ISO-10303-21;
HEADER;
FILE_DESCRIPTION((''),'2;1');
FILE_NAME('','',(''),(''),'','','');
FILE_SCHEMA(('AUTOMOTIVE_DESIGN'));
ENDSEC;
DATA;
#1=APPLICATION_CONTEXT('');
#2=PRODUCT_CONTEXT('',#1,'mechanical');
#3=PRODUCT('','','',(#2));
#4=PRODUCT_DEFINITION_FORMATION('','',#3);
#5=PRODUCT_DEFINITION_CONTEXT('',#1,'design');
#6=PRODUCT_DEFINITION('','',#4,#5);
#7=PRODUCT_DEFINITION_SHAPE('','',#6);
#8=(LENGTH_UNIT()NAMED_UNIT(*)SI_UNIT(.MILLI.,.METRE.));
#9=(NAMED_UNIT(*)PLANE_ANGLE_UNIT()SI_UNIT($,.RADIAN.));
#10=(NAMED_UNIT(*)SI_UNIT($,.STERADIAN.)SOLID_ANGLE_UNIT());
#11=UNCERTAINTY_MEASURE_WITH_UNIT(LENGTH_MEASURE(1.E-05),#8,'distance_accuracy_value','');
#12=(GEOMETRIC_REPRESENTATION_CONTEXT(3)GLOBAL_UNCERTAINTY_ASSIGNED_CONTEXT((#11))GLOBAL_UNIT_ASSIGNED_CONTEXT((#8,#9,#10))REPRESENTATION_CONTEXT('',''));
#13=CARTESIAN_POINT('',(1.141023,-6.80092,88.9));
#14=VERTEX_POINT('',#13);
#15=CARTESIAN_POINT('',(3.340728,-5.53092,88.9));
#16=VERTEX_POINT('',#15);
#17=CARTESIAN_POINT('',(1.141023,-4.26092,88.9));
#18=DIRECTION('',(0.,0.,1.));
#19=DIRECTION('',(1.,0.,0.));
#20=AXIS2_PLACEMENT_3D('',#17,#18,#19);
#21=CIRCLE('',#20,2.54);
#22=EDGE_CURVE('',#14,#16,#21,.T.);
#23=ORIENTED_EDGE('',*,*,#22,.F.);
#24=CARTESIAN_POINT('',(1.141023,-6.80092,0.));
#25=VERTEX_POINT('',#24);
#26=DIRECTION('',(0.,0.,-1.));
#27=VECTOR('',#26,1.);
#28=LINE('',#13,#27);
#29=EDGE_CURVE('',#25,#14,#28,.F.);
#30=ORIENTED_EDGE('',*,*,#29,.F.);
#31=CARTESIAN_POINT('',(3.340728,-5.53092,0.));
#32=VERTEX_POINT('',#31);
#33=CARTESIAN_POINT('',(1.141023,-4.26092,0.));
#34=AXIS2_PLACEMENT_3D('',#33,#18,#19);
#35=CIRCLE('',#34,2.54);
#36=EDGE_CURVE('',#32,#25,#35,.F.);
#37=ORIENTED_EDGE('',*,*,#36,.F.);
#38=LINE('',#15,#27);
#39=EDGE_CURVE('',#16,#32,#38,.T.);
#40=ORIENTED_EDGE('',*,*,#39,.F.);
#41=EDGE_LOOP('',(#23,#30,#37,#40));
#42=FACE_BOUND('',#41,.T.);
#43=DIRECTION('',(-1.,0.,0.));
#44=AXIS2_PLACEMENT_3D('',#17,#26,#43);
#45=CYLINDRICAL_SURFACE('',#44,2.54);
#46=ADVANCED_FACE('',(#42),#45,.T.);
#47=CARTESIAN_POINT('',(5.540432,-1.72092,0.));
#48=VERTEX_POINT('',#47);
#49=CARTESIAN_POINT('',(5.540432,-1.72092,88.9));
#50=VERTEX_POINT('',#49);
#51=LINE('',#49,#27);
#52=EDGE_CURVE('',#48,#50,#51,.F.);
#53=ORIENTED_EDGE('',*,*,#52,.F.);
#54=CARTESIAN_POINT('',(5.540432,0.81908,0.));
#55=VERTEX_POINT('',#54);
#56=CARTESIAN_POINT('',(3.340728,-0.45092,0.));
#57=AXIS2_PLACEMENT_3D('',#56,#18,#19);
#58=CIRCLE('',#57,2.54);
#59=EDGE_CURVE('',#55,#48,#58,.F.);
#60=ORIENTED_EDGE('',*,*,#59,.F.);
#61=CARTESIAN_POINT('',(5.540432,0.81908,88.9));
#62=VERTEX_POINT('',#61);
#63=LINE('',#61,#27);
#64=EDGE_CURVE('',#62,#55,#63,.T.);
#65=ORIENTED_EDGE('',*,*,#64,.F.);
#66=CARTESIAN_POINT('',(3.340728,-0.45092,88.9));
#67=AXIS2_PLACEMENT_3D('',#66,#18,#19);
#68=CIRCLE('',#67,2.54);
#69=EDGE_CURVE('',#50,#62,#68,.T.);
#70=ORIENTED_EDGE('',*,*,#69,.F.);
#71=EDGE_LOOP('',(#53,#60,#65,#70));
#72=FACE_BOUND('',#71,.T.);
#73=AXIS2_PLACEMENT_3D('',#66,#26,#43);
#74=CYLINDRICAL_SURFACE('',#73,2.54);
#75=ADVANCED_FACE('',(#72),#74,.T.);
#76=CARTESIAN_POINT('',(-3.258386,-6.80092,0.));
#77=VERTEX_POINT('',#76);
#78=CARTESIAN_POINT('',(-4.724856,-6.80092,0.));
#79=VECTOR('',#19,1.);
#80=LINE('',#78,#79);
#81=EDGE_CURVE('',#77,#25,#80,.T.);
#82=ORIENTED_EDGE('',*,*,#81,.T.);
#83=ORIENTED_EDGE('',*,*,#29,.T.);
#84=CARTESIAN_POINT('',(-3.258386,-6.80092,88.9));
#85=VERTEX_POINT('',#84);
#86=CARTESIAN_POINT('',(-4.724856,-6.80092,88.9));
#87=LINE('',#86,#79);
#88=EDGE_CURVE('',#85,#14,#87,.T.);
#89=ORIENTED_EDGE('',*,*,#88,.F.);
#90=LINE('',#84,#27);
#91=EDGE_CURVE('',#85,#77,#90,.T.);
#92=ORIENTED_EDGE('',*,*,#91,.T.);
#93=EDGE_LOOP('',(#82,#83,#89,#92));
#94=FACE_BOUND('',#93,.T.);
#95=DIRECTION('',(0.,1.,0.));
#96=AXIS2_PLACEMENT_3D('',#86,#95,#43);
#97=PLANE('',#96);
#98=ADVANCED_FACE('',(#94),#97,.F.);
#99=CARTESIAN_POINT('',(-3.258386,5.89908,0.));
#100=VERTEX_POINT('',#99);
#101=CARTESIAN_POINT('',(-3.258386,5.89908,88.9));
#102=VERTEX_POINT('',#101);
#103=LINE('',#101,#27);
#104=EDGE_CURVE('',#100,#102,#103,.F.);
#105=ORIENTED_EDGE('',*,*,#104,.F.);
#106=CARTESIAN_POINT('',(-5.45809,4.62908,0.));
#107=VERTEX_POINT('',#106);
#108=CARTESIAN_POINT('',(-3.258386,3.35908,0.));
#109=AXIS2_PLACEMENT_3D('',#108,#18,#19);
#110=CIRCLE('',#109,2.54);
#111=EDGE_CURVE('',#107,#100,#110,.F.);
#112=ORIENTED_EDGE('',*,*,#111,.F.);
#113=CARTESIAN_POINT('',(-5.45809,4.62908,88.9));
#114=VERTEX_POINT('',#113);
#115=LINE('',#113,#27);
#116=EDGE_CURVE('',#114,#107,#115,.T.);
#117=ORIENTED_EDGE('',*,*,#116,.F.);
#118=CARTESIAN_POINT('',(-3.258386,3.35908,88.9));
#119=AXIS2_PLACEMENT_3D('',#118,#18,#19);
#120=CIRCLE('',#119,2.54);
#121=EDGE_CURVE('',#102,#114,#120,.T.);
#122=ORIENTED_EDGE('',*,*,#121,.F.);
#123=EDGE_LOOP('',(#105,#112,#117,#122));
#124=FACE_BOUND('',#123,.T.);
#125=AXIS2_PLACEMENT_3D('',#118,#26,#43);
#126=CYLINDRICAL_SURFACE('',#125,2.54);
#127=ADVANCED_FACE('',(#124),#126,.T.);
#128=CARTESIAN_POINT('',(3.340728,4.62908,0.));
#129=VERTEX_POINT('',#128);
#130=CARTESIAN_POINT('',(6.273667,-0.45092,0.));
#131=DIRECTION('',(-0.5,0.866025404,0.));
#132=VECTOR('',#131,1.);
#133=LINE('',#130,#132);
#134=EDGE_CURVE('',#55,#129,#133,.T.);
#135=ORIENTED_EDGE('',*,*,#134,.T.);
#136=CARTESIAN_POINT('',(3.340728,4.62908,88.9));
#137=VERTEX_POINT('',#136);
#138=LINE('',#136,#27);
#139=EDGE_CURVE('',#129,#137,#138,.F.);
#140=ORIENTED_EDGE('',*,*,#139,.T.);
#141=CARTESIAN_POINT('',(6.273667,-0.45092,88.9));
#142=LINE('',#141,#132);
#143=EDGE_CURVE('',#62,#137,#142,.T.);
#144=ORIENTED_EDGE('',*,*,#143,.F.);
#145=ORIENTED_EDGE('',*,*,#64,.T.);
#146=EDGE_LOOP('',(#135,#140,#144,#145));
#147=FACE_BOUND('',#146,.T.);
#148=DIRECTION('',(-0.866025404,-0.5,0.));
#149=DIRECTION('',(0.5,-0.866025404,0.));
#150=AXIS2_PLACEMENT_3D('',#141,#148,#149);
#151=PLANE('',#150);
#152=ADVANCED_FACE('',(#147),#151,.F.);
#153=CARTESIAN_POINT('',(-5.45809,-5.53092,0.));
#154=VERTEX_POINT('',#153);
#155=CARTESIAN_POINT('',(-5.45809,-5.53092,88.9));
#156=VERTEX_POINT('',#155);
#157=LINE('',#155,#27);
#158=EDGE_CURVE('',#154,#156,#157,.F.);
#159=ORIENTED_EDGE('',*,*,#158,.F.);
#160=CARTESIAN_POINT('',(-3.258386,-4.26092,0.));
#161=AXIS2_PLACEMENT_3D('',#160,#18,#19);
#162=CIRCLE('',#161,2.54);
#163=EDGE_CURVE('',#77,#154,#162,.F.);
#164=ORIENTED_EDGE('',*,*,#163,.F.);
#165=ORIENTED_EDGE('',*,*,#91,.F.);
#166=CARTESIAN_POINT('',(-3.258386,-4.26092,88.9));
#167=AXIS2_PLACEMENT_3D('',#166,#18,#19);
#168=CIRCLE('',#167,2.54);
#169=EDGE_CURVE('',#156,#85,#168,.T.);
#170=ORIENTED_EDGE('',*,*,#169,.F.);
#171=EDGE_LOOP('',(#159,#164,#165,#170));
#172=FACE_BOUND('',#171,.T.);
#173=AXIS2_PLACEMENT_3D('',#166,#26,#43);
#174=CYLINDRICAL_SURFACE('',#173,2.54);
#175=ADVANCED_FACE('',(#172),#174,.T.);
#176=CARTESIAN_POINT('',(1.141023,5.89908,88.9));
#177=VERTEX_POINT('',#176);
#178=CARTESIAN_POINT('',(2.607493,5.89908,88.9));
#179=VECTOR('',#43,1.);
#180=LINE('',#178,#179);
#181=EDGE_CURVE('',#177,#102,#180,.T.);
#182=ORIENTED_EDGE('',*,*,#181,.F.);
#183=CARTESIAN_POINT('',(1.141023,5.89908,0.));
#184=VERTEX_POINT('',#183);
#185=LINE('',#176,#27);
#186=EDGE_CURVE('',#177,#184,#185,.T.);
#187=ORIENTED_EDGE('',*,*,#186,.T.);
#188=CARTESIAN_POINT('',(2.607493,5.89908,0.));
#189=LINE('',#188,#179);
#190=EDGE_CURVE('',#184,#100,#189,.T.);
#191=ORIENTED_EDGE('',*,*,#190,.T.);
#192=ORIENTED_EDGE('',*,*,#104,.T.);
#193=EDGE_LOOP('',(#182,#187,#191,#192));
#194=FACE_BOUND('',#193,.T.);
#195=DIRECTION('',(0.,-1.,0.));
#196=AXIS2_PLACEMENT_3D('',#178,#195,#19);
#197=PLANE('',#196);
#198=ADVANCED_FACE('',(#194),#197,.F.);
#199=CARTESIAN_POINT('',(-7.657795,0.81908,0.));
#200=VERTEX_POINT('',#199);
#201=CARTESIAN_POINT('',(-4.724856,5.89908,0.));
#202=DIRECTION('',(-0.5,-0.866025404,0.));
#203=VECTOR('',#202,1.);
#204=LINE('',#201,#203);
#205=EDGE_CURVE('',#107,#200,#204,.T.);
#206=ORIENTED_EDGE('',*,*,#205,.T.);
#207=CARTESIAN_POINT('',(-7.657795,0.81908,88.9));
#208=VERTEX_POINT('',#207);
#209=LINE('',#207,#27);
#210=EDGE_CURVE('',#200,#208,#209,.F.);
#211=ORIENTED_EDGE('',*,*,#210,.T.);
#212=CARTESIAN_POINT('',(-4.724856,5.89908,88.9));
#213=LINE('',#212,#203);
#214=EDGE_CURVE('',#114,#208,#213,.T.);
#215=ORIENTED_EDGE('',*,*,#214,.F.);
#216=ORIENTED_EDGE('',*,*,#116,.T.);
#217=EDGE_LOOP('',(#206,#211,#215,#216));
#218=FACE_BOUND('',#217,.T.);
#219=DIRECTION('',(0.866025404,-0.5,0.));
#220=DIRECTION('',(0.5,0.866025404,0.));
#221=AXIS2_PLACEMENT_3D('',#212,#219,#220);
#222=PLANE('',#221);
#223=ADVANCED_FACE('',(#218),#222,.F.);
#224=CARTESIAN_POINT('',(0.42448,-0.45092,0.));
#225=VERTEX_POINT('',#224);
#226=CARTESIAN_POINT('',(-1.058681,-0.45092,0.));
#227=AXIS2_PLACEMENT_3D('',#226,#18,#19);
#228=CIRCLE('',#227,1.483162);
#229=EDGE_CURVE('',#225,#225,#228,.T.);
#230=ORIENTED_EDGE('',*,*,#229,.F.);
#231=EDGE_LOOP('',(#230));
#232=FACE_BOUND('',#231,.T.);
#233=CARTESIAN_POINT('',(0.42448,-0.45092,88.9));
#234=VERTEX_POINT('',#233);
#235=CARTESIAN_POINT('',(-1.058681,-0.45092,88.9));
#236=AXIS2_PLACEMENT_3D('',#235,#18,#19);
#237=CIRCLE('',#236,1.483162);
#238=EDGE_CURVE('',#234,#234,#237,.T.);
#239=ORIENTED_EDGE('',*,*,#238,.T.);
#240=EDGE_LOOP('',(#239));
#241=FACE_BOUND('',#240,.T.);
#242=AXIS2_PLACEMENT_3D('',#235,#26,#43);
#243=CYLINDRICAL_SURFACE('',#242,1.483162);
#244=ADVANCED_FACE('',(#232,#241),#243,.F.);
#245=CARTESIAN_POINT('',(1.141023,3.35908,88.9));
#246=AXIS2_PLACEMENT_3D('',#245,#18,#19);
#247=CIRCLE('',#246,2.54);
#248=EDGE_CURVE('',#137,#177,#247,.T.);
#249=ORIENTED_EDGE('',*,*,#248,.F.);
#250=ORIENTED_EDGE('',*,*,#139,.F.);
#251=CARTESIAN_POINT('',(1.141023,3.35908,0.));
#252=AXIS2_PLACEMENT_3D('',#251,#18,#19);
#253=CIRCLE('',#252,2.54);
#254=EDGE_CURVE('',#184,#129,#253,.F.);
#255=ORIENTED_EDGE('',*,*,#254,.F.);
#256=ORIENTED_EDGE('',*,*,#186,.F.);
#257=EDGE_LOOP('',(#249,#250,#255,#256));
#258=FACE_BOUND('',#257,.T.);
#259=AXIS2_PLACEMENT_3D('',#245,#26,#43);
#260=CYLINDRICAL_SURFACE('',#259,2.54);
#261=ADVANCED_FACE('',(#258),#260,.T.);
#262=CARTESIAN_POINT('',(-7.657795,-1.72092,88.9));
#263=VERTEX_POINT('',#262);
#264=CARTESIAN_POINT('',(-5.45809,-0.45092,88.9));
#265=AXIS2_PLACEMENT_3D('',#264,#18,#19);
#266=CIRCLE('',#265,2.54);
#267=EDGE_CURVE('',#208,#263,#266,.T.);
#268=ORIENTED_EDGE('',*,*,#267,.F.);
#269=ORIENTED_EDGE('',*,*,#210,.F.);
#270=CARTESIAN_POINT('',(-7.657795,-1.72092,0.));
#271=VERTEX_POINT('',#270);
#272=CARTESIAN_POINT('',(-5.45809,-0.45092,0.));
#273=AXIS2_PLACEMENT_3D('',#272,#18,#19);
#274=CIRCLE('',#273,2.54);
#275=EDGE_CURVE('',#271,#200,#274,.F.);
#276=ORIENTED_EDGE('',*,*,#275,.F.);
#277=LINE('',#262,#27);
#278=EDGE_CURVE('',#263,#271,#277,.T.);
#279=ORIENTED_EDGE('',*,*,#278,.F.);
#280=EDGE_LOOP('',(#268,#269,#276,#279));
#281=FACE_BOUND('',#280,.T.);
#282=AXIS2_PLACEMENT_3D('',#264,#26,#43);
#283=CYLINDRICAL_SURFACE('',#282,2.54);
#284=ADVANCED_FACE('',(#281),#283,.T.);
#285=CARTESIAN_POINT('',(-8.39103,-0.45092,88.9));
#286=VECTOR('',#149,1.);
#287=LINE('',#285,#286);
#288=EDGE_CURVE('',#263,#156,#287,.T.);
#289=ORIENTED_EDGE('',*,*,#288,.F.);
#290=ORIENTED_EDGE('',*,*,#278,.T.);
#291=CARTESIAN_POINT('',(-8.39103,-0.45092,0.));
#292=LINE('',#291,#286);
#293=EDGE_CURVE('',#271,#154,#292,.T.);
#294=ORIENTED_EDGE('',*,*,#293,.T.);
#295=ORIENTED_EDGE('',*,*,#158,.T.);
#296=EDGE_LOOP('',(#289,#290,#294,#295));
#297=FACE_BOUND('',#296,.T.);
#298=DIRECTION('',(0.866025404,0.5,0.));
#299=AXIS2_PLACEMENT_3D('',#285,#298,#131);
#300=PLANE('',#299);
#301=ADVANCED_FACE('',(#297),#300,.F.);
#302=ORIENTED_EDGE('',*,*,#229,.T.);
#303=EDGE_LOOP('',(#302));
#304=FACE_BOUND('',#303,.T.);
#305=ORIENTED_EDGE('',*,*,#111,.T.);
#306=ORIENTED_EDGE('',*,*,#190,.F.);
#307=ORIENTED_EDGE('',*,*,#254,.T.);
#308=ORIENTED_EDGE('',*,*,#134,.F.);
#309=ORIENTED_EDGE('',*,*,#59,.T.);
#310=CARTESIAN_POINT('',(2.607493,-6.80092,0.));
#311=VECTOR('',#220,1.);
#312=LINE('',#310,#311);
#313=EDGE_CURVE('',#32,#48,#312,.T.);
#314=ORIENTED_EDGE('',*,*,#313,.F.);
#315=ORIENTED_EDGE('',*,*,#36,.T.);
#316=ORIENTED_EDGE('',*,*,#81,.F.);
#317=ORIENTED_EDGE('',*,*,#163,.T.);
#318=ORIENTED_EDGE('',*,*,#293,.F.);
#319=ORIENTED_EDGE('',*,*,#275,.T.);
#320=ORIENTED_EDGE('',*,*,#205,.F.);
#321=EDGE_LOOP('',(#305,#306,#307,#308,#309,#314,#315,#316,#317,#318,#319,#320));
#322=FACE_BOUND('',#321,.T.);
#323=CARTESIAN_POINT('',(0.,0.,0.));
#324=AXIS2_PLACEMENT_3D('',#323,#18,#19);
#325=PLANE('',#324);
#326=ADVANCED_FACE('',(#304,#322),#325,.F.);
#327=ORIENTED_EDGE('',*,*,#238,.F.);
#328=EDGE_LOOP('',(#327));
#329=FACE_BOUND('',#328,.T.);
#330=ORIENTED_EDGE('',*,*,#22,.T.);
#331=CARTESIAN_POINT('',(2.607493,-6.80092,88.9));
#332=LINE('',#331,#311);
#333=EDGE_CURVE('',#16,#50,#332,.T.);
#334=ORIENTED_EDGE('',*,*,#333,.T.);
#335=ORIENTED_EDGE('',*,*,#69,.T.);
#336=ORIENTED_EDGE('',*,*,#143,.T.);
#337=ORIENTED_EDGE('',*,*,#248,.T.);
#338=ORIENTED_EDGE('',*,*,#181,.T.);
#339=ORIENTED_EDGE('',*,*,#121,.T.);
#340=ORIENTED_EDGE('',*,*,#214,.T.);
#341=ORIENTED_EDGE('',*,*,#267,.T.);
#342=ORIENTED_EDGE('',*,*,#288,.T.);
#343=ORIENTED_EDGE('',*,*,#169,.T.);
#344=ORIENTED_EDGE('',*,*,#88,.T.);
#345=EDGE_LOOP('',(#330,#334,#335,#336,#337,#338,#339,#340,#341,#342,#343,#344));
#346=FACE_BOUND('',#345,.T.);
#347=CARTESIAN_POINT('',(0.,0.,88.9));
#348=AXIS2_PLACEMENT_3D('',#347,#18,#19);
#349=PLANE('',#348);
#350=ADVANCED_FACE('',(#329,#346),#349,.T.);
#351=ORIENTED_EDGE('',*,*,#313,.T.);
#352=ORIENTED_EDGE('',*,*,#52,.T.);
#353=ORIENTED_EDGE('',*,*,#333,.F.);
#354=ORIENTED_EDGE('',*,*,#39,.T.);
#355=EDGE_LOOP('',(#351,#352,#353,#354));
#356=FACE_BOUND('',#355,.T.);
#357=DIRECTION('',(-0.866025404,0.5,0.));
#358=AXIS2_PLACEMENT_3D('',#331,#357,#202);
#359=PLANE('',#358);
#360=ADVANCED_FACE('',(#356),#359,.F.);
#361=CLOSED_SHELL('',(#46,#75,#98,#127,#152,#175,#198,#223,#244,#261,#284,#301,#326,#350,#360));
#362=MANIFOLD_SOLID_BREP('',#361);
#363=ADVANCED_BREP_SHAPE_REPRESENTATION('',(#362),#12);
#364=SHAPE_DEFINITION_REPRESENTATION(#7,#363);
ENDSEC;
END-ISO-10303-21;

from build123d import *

# Parameters (mm, degrees)
SKETCH1_R           = 1.483161667
BOSS_EXTRUDE1_DEPTH = 88.9
FILLET1_R           = 2.54


with BuildPart() as part:
    # Sketch1 → Boss-Extrude1 (new body)
    with BuildSketch(Plane.XY):
        Polygon((6.273667096, -0.450919823), (2.607492887, 5.899080177), (-4.724855532, 5.899080177), (-8.391029741, -0.450919823), (-4.724855532, -6.800919823), (2.607492887, -6.800919823), align=None)
        with Locations((-1.058681322, -0.450919823)):
            Circle(SKETCH1_R, mode=Mode.SUBTRACT)
    extrude(amount=BOSS_EXTRUDE1_DEPTH)

    # Fillet1
    fillet1_edges = [part.edges().sort_by_distance(p)[0] for p in [
        (2.607492887, -6.800919823, 44.45),
        (-4.724855532, -6.800919823, 44.45),
        (-8.391029741, -0.450919823, 44.45),
        (-4.724855532, 5.899080177, 44.45),
        (2.607492887, 5.899080177, 44.45),
        (6.273667096, -0.450919823, 44.45),
    ]]
    fillet(fillet1_edges, radius=FILLET1_R)


solid = part.part
